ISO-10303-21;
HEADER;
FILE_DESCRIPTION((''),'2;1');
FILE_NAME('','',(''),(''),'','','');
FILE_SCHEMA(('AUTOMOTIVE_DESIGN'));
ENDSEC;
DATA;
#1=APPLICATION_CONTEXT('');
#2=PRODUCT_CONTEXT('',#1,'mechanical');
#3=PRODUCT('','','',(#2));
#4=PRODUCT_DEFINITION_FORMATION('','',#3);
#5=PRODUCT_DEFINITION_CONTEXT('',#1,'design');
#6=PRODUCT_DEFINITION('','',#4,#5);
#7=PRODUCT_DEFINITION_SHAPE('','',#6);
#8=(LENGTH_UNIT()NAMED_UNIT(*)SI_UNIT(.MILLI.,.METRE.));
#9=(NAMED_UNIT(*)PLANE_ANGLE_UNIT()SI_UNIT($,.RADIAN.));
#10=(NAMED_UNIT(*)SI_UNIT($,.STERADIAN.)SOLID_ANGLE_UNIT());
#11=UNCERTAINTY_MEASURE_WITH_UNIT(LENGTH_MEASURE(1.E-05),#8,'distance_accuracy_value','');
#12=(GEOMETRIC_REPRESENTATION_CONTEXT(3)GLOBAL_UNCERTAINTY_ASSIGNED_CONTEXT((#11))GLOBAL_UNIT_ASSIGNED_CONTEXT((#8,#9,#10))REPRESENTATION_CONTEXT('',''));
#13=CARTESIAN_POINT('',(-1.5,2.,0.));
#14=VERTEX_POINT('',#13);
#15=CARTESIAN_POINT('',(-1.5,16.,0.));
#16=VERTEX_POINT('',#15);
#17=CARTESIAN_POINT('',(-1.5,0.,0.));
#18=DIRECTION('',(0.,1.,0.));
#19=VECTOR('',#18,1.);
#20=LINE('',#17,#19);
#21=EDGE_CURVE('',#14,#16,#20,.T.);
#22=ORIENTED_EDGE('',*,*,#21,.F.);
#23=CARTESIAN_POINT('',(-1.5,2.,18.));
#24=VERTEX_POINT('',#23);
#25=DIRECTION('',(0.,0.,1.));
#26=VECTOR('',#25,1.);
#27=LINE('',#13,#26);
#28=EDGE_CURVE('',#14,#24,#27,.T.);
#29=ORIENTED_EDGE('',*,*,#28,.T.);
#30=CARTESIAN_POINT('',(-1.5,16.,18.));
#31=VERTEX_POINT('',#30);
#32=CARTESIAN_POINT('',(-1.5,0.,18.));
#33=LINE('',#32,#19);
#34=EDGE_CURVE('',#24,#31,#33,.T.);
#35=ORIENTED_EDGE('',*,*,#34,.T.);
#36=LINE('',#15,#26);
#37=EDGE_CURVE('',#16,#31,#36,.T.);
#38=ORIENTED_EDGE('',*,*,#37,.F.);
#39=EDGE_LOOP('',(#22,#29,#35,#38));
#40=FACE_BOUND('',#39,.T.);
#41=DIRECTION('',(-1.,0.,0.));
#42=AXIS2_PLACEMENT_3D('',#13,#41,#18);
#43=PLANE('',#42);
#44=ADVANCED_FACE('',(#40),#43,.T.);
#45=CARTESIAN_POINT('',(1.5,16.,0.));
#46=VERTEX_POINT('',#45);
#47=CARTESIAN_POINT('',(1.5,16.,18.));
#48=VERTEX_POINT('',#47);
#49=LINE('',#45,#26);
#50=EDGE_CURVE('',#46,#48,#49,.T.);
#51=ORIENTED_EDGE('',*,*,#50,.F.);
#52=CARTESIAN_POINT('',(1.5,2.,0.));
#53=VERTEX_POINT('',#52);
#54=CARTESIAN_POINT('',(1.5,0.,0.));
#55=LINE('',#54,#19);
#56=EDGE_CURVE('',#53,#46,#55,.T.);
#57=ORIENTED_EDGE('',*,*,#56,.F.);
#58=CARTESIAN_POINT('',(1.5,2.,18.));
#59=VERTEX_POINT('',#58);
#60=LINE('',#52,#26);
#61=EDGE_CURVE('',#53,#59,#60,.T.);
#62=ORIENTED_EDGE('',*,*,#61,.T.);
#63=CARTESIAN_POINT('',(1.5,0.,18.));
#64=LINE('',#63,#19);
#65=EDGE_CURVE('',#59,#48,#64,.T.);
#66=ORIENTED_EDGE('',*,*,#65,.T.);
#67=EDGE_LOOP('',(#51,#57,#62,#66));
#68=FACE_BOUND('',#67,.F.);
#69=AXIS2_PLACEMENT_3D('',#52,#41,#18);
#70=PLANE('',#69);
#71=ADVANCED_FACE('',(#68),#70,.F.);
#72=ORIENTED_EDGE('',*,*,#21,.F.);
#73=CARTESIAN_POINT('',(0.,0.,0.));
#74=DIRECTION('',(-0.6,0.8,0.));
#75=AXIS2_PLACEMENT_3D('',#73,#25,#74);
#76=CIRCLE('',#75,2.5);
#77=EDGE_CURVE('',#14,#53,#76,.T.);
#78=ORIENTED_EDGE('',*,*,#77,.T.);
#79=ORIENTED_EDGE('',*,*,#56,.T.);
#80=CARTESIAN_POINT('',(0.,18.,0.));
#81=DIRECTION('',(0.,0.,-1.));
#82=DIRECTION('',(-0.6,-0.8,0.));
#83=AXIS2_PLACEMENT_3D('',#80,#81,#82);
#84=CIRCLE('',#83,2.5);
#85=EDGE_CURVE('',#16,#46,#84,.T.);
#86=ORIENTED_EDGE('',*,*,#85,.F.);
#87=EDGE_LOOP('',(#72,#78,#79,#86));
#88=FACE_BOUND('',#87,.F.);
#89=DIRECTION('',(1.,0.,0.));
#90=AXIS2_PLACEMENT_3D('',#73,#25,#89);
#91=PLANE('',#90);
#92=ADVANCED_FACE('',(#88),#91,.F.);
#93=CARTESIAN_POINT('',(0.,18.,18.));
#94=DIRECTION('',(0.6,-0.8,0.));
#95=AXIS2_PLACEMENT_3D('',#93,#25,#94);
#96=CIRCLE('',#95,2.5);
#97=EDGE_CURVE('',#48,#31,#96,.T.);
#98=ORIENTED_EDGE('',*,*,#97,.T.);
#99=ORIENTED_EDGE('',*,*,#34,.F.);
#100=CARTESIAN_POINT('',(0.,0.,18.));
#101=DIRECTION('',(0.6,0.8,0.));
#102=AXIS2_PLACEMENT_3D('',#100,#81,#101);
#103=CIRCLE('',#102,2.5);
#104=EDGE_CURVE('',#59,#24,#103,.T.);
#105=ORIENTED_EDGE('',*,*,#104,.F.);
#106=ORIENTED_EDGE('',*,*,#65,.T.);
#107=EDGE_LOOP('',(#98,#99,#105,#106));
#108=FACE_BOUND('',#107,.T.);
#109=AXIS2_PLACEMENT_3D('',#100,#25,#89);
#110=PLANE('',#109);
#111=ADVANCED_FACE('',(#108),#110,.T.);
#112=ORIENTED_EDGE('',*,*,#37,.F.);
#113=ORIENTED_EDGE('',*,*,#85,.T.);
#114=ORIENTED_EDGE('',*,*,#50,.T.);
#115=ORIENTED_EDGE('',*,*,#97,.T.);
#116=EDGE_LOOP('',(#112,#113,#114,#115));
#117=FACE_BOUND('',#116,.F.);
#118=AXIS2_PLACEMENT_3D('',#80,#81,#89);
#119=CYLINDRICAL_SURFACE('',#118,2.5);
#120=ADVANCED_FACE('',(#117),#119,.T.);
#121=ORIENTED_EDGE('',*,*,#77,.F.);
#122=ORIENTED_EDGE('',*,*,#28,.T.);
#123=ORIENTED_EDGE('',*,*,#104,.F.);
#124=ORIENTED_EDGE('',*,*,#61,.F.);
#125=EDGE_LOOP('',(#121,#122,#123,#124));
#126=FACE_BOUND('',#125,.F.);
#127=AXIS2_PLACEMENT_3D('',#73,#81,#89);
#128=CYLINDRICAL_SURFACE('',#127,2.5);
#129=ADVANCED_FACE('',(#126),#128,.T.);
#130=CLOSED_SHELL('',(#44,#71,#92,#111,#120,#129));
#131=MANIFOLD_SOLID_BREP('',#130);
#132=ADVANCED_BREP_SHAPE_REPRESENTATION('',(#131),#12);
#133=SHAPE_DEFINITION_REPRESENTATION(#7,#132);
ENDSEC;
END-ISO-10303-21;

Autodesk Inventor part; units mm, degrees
ref_plane "YZ Plane" through (0, 0, 0) normal (1, 0, 0) x (0, 1, 0)
ref_plane "XZ Plane" through (0, 0, 0) normal (0, 1, 0) x (-1, 0, 0)
ref_plane "XY Plane" through (0, 0, 0) normal (0, 0, 1) x (1, 0, 0)
sketch "Sketch1" plane through (0, 0, 0) normal (0, 0, 1) x (1, 0, 0)
  circle A0 centre (0, 0) radius 2.5
  line L0 (0, 0) -> (0, 18)
  circle A1 centre (0, 18) radius 2.5
  line L1 (1.5, 0) -> (1.5, 18)
  line L2 (-1.5, 0) -> (-1.5, 18)
  point P0 (1.5, 2)
  point P1 (1.5, 16)
  point P2 (-1.5, 16)
  point P3 (-1.5, 2)
  dimension "d0" = 5
  dimension "d1" = 18
  dimension "d2" = 5
  dimension "d3" = 1.5
  dimension "d4" = 1.5
extrude "Extrusion1" add sketch "Sketch1" along normal blind 18
properties part number "index_joint"
